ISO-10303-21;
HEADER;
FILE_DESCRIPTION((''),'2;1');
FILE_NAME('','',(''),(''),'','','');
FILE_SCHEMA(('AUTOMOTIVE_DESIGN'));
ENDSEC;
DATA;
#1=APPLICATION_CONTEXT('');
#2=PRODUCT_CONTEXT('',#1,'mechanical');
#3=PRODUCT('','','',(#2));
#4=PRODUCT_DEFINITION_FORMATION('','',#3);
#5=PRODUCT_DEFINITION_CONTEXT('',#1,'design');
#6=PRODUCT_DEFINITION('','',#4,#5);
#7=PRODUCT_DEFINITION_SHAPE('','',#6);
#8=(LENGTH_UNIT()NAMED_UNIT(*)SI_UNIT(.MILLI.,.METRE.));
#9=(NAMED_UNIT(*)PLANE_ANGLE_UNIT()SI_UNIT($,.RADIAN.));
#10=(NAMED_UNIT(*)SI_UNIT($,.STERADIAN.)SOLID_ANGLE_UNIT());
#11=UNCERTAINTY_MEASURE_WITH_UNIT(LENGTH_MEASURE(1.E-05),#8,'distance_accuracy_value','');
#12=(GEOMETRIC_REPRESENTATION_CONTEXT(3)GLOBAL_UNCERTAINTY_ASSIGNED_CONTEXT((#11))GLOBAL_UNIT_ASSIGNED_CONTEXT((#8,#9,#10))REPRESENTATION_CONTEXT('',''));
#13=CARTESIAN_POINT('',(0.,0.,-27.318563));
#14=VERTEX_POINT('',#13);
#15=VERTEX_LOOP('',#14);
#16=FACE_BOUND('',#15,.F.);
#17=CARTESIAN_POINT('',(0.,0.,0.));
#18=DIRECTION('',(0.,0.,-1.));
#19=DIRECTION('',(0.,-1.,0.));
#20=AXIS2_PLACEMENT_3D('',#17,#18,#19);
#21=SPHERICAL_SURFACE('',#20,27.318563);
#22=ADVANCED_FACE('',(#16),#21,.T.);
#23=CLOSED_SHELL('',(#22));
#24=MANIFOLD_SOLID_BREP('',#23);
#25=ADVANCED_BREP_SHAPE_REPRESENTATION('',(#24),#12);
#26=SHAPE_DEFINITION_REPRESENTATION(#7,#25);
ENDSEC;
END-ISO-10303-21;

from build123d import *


with BuildPart() as f2:
    # F0 (on Right) → F2 (revolve)
    with BuildSketch(Plane.YZ):
        with BuildLine():
            Line((0, -27.318563), (0, 27.318563))
            ThreePointArc((0, 27.318563), (-27.318563, 0), (0, -27.318563))
        make_face()
    revolve(axis=Axis((0, 0, 38.840089), (0, 0, 1)))


solid = f2.part
